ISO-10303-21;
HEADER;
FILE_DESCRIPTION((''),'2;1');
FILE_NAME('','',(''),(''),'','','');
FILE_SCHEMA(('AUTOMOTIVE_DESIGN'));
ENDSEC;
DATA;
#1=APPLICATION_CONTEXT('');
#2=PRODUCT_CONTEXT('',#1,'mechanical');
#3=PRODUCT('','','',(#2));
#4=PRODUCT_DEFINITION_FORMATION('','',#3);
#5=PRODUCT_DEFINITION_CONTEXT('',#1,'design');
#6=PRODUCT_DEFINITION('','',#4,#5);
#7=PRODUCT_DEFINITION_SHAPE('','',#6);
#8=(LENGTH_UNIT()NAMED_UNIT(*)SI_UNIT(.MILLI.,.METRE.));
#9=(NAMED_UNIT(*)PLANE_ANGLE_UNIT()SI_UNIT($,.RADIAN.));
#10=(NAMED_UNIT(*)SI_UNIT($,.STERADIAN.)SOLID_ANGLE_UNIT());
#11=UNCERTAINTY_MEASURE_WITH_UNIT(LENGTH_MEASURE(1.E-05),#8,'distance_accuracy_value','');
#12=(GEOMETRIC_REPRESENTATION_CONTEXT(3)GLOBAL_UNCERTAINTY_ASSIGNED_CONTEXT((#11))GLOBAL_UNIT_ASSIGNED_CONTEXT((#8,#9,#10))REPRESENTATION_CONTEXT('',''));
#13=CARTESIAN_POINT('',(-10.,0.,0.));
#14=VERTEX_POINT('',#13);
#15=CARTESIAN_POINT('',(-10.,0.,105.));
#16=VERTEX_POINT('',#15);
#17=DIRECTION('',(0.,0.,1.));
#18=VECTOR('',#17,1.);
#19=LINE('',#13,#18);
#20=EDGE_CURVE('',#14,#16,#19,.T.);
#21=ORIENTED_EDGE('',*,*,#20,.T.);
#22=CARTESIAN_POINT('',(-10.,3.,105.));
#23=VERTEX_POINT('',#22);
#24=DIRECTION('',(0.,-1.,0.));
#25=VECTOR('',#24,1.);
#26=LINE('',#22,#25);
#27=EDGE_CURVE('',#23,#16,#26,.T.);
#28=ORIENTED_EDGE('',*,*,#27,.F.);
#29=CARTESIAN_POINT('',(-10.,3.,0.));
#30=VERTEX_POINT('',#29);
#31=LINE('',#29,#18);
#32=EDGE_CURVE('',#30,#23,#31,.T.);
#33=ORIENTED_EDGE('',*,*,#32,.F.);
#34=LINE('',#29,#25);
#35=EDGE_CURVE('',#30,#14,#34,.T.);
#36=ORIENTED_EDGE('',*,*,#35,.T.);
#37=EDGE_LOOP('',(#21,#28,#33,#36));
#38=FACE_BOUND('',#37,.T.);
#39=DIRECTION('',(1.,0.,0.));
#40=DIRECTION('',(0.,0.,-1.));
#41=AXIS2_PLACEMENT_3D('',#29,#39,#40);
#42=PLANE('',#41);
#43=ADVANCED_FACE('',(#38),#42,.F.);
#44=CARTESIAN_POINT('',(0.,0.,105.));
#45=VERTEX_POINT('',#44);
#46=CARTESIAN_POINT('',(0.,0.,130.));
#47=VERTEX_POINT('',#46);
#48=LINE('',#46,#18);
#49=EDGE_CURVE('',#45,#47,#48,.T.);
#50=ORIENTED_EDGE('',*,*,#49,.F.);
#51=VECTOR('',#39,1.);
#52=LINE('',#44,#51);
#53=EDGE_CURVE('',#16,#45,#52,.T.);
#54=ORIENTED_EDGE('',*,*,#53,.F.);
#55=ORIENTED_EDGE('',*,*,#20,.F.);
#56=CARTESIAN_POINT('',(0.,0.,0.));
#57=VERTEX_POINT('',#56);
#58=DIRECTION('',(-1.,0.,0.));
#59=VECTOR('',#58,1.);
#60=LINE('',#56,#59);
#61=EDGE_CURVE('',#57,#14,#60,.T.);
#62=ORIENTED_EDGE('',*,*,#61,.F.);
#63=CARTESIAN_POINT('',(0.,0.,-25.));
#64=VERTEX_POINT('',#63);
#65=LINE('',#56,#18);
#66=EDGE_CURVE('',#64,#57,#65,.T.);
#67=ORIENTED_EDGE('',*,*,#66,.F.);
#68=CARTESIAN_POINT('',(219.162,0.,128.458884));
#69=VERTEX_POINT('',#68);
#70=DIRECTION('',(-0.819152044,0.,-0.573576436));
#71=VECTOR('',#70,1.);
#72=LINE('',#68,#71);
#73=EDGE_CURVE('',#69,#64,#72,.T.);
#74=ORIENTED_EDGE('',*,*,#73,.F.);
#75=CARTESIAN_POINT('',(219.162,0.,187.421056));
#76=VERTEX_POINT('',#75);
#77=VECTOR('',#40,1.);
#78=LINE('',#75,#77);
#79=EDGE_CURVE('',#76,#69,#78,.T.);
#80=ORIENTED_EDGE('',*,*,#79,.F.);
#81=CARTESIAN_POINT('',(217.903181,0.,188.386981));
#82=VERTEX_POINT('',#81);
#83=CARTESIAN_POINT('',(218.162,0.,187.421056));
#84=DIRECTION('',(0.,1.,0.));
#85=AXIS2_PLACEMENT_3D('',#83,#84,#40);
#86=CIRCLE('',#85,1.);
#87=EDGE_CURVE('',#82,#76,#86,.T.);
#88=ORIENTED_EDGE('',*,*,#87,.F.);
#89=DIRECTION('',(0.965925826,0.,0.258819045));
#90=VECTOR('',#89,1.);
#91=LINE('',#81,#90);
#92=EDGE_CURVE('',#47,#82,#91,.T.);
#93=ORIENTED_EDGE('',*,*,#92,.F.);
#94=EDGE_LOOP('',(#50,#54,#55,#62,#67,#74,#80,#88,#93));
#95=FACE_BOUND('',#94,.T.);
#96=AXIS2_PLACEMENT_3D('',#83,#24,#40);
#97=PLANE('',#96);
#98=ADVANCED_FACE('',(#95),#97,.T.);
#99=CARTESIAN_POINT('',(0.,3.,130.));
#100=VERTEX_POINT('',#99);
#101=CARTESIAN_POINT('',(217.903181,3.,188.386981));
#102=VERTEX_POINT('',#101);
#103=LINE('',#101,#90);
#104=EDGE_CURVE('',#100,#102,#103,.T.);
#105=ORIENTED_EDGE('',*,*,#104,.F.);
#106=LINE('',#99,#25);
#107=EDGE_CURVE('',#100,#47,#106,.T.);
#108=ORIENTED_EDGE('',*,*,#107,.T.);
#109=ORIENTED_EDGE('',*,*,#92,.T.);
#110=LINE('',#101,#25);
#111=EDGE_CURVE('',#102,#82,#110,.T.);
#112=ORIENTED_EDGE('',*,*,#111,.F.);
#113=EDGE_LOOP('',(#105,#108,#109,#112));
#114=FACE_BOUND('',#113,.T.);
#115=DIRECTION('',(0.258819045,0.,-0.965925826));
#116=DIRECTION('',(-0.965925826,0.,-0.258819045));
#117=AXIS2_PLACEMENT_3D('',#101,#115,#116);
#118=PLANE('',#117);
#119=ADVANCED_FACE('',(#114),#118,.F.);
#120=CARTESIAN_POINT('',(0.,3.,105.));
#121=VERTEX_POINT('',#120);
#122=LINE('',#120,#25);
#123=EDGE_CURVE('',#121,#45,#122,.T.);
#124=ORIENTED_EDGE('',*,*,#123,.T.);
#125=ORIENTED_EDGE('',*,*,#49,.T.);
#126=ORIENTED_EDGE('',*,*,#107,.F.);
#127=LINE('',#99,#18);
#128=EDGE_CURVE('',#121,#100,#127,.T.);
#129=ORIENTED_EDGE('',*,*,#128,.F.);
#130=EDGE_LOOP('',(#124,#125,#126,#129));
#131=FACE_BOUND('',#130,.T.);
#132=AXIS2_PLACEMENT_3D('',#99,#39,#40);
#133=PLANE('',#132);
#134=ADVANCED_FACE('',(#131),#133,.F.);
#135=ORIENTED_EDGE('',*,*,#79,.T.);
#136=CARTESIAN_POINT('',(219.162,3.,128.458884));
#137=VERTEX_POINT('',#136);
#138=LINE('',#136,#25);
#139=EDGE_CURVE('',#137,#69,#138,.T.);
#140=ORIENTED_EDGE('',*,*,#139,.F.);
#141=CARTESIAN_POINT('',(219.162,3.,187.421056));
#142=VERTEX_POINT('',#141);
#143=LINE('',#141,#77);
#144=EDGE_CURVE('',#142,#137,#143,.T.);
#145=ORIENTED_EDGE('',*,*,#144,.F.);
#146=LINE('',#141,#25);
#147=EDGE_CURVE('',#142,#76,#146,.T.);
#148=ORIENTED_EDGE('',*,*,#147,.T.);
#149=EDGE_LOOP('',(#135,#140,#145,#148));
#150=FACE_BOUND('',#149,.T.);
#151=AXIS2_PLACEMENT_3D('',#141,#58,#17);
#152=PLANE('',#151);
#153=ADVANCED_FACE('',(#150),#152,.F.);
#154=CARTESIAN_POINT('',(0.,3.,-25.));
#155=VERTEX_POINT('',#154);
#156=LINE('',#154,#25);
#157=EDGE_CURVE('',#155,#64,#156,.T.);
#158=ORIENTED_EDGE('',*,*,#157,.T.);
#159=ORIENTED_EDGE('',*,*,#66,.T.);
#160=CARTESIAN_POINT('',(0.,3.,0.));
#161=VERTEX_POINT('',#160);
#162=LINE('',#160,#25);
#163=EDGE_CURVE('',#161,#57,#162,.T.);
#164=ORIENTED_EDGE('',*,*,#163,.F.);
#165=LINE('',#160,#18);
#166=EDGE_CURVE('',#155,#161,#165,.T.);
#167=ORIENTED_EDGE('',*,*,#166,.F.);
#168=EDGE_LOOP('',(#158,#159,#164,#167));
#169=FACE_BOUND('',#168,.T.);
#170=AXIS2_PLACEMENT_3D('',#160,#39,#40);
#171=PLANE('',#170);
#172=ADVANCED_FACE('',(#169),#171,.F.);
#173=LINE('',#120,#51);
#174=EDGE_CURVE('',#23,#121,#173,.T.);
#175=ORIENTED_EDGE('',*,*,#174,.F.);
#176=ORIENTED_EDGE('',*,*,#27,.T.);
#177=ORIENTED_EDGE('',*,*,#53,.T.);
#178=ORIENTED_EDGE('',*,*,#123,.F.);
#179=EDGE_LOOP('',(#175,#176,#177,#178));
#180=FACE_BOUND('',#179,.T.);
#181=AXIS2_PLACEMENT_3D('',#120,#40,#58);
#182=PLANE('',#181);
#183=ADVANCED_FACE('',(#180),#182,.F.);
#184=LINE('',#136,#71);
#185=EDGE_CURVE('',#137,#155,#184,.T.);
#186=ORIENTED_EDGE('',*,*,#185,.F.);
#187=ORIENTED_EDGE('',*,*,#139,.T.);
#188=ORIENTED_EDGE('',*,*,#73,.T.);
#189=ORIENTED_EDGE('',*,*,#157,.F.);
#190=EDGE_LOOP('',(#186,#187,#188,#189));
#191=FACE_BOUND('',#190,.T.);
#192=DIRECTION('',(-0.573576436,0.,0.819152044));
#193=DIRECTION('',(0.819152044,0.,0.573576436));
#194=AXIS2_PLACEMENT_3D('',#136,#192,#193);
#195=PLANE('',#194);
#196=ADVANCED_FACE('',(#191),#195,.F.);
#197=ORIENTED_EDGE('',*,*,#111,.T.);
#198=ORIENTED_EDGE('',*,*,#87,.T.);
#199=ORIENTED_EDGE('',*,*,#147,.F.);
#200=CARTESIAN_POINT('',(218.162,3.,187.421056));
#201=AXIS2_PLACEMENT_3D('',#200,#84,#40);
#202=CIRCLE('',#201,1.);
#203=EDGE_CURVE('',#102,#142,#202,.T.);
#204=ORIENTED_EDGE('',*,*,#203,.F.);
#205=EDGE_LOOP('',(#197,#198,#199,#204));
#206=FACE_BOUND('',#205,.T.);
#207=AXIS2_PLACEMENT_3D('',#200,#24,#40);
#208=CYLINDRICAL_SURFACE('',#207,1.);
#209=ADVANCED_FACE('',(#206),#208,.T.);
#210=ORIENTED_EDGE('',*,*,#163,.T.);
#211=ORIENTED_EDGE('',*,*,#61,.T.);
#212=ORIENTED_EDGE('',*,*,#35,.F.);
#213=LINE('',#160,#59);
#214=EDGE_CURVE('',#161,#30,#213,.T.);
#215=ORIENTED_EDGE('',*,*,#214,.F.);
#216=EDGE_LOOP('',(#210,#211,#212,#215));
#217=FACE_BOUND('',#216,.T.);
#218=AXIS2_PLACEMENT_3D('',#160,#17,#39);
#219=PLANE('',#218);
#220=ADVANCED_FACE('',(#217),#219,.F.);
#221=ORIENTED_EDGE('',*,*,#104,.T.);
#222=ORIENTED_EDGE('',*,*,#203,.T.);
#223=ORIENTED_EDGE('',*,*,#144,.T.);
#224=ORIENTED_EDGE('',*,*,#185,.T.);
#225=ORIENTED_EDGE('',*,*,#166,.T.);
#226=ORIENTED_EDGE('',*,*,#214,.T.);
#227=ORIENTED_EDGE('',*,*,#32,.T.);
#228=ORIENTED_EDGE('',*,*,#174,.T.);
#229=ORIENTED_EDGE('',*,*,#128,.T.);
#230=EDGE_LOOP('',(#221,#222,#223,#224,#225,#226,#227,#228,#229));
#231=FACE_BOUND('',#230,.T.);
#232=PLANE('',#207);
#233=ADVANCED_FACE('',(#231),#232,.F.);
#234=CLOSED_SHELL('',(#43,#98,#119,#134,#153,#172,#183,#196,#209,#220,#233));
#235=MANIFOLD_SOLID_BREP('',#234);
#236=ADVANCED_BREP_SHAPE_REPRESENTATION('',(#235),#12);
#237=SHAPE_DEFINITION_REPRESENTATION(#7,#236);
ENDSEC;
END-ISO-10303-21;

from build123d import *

# Parameters (mm, degrees)
BOSS_EXTRUDE1_DEPTH = 3


with BuildPart() as part:
    # Sketch1 → Boss-Extrude1 (new body)
    with BuildSketch(Plane(origin=(0, 0, 0), x_dir=(1, 0, 0), z_dir=(0, 1, 0))):
        with BuildLine():
            Line((0, -130), (0, -105))
            Line((0, -105), (-10, -105))
            Line((-10, -105), (-10, 0))
            Line((-10, 0), (0, 0))
            Line((0, 0), (0, 25))
            Line((0, 25), (219.162, -128.458884489))
            Line((219.162, -128.458884489), (219.162, -187.421055539))
            ThreePointArc((219.162, -187.421055539), (218.770761429, -188.214408879), (217.903180955, -188.386981365))
            Line((217.903180955, -188.386981365), (0, -130))
        make_face()
    extrude(amount=BOSS_EXTRUDE1_DEPTH)


solid = part.part
